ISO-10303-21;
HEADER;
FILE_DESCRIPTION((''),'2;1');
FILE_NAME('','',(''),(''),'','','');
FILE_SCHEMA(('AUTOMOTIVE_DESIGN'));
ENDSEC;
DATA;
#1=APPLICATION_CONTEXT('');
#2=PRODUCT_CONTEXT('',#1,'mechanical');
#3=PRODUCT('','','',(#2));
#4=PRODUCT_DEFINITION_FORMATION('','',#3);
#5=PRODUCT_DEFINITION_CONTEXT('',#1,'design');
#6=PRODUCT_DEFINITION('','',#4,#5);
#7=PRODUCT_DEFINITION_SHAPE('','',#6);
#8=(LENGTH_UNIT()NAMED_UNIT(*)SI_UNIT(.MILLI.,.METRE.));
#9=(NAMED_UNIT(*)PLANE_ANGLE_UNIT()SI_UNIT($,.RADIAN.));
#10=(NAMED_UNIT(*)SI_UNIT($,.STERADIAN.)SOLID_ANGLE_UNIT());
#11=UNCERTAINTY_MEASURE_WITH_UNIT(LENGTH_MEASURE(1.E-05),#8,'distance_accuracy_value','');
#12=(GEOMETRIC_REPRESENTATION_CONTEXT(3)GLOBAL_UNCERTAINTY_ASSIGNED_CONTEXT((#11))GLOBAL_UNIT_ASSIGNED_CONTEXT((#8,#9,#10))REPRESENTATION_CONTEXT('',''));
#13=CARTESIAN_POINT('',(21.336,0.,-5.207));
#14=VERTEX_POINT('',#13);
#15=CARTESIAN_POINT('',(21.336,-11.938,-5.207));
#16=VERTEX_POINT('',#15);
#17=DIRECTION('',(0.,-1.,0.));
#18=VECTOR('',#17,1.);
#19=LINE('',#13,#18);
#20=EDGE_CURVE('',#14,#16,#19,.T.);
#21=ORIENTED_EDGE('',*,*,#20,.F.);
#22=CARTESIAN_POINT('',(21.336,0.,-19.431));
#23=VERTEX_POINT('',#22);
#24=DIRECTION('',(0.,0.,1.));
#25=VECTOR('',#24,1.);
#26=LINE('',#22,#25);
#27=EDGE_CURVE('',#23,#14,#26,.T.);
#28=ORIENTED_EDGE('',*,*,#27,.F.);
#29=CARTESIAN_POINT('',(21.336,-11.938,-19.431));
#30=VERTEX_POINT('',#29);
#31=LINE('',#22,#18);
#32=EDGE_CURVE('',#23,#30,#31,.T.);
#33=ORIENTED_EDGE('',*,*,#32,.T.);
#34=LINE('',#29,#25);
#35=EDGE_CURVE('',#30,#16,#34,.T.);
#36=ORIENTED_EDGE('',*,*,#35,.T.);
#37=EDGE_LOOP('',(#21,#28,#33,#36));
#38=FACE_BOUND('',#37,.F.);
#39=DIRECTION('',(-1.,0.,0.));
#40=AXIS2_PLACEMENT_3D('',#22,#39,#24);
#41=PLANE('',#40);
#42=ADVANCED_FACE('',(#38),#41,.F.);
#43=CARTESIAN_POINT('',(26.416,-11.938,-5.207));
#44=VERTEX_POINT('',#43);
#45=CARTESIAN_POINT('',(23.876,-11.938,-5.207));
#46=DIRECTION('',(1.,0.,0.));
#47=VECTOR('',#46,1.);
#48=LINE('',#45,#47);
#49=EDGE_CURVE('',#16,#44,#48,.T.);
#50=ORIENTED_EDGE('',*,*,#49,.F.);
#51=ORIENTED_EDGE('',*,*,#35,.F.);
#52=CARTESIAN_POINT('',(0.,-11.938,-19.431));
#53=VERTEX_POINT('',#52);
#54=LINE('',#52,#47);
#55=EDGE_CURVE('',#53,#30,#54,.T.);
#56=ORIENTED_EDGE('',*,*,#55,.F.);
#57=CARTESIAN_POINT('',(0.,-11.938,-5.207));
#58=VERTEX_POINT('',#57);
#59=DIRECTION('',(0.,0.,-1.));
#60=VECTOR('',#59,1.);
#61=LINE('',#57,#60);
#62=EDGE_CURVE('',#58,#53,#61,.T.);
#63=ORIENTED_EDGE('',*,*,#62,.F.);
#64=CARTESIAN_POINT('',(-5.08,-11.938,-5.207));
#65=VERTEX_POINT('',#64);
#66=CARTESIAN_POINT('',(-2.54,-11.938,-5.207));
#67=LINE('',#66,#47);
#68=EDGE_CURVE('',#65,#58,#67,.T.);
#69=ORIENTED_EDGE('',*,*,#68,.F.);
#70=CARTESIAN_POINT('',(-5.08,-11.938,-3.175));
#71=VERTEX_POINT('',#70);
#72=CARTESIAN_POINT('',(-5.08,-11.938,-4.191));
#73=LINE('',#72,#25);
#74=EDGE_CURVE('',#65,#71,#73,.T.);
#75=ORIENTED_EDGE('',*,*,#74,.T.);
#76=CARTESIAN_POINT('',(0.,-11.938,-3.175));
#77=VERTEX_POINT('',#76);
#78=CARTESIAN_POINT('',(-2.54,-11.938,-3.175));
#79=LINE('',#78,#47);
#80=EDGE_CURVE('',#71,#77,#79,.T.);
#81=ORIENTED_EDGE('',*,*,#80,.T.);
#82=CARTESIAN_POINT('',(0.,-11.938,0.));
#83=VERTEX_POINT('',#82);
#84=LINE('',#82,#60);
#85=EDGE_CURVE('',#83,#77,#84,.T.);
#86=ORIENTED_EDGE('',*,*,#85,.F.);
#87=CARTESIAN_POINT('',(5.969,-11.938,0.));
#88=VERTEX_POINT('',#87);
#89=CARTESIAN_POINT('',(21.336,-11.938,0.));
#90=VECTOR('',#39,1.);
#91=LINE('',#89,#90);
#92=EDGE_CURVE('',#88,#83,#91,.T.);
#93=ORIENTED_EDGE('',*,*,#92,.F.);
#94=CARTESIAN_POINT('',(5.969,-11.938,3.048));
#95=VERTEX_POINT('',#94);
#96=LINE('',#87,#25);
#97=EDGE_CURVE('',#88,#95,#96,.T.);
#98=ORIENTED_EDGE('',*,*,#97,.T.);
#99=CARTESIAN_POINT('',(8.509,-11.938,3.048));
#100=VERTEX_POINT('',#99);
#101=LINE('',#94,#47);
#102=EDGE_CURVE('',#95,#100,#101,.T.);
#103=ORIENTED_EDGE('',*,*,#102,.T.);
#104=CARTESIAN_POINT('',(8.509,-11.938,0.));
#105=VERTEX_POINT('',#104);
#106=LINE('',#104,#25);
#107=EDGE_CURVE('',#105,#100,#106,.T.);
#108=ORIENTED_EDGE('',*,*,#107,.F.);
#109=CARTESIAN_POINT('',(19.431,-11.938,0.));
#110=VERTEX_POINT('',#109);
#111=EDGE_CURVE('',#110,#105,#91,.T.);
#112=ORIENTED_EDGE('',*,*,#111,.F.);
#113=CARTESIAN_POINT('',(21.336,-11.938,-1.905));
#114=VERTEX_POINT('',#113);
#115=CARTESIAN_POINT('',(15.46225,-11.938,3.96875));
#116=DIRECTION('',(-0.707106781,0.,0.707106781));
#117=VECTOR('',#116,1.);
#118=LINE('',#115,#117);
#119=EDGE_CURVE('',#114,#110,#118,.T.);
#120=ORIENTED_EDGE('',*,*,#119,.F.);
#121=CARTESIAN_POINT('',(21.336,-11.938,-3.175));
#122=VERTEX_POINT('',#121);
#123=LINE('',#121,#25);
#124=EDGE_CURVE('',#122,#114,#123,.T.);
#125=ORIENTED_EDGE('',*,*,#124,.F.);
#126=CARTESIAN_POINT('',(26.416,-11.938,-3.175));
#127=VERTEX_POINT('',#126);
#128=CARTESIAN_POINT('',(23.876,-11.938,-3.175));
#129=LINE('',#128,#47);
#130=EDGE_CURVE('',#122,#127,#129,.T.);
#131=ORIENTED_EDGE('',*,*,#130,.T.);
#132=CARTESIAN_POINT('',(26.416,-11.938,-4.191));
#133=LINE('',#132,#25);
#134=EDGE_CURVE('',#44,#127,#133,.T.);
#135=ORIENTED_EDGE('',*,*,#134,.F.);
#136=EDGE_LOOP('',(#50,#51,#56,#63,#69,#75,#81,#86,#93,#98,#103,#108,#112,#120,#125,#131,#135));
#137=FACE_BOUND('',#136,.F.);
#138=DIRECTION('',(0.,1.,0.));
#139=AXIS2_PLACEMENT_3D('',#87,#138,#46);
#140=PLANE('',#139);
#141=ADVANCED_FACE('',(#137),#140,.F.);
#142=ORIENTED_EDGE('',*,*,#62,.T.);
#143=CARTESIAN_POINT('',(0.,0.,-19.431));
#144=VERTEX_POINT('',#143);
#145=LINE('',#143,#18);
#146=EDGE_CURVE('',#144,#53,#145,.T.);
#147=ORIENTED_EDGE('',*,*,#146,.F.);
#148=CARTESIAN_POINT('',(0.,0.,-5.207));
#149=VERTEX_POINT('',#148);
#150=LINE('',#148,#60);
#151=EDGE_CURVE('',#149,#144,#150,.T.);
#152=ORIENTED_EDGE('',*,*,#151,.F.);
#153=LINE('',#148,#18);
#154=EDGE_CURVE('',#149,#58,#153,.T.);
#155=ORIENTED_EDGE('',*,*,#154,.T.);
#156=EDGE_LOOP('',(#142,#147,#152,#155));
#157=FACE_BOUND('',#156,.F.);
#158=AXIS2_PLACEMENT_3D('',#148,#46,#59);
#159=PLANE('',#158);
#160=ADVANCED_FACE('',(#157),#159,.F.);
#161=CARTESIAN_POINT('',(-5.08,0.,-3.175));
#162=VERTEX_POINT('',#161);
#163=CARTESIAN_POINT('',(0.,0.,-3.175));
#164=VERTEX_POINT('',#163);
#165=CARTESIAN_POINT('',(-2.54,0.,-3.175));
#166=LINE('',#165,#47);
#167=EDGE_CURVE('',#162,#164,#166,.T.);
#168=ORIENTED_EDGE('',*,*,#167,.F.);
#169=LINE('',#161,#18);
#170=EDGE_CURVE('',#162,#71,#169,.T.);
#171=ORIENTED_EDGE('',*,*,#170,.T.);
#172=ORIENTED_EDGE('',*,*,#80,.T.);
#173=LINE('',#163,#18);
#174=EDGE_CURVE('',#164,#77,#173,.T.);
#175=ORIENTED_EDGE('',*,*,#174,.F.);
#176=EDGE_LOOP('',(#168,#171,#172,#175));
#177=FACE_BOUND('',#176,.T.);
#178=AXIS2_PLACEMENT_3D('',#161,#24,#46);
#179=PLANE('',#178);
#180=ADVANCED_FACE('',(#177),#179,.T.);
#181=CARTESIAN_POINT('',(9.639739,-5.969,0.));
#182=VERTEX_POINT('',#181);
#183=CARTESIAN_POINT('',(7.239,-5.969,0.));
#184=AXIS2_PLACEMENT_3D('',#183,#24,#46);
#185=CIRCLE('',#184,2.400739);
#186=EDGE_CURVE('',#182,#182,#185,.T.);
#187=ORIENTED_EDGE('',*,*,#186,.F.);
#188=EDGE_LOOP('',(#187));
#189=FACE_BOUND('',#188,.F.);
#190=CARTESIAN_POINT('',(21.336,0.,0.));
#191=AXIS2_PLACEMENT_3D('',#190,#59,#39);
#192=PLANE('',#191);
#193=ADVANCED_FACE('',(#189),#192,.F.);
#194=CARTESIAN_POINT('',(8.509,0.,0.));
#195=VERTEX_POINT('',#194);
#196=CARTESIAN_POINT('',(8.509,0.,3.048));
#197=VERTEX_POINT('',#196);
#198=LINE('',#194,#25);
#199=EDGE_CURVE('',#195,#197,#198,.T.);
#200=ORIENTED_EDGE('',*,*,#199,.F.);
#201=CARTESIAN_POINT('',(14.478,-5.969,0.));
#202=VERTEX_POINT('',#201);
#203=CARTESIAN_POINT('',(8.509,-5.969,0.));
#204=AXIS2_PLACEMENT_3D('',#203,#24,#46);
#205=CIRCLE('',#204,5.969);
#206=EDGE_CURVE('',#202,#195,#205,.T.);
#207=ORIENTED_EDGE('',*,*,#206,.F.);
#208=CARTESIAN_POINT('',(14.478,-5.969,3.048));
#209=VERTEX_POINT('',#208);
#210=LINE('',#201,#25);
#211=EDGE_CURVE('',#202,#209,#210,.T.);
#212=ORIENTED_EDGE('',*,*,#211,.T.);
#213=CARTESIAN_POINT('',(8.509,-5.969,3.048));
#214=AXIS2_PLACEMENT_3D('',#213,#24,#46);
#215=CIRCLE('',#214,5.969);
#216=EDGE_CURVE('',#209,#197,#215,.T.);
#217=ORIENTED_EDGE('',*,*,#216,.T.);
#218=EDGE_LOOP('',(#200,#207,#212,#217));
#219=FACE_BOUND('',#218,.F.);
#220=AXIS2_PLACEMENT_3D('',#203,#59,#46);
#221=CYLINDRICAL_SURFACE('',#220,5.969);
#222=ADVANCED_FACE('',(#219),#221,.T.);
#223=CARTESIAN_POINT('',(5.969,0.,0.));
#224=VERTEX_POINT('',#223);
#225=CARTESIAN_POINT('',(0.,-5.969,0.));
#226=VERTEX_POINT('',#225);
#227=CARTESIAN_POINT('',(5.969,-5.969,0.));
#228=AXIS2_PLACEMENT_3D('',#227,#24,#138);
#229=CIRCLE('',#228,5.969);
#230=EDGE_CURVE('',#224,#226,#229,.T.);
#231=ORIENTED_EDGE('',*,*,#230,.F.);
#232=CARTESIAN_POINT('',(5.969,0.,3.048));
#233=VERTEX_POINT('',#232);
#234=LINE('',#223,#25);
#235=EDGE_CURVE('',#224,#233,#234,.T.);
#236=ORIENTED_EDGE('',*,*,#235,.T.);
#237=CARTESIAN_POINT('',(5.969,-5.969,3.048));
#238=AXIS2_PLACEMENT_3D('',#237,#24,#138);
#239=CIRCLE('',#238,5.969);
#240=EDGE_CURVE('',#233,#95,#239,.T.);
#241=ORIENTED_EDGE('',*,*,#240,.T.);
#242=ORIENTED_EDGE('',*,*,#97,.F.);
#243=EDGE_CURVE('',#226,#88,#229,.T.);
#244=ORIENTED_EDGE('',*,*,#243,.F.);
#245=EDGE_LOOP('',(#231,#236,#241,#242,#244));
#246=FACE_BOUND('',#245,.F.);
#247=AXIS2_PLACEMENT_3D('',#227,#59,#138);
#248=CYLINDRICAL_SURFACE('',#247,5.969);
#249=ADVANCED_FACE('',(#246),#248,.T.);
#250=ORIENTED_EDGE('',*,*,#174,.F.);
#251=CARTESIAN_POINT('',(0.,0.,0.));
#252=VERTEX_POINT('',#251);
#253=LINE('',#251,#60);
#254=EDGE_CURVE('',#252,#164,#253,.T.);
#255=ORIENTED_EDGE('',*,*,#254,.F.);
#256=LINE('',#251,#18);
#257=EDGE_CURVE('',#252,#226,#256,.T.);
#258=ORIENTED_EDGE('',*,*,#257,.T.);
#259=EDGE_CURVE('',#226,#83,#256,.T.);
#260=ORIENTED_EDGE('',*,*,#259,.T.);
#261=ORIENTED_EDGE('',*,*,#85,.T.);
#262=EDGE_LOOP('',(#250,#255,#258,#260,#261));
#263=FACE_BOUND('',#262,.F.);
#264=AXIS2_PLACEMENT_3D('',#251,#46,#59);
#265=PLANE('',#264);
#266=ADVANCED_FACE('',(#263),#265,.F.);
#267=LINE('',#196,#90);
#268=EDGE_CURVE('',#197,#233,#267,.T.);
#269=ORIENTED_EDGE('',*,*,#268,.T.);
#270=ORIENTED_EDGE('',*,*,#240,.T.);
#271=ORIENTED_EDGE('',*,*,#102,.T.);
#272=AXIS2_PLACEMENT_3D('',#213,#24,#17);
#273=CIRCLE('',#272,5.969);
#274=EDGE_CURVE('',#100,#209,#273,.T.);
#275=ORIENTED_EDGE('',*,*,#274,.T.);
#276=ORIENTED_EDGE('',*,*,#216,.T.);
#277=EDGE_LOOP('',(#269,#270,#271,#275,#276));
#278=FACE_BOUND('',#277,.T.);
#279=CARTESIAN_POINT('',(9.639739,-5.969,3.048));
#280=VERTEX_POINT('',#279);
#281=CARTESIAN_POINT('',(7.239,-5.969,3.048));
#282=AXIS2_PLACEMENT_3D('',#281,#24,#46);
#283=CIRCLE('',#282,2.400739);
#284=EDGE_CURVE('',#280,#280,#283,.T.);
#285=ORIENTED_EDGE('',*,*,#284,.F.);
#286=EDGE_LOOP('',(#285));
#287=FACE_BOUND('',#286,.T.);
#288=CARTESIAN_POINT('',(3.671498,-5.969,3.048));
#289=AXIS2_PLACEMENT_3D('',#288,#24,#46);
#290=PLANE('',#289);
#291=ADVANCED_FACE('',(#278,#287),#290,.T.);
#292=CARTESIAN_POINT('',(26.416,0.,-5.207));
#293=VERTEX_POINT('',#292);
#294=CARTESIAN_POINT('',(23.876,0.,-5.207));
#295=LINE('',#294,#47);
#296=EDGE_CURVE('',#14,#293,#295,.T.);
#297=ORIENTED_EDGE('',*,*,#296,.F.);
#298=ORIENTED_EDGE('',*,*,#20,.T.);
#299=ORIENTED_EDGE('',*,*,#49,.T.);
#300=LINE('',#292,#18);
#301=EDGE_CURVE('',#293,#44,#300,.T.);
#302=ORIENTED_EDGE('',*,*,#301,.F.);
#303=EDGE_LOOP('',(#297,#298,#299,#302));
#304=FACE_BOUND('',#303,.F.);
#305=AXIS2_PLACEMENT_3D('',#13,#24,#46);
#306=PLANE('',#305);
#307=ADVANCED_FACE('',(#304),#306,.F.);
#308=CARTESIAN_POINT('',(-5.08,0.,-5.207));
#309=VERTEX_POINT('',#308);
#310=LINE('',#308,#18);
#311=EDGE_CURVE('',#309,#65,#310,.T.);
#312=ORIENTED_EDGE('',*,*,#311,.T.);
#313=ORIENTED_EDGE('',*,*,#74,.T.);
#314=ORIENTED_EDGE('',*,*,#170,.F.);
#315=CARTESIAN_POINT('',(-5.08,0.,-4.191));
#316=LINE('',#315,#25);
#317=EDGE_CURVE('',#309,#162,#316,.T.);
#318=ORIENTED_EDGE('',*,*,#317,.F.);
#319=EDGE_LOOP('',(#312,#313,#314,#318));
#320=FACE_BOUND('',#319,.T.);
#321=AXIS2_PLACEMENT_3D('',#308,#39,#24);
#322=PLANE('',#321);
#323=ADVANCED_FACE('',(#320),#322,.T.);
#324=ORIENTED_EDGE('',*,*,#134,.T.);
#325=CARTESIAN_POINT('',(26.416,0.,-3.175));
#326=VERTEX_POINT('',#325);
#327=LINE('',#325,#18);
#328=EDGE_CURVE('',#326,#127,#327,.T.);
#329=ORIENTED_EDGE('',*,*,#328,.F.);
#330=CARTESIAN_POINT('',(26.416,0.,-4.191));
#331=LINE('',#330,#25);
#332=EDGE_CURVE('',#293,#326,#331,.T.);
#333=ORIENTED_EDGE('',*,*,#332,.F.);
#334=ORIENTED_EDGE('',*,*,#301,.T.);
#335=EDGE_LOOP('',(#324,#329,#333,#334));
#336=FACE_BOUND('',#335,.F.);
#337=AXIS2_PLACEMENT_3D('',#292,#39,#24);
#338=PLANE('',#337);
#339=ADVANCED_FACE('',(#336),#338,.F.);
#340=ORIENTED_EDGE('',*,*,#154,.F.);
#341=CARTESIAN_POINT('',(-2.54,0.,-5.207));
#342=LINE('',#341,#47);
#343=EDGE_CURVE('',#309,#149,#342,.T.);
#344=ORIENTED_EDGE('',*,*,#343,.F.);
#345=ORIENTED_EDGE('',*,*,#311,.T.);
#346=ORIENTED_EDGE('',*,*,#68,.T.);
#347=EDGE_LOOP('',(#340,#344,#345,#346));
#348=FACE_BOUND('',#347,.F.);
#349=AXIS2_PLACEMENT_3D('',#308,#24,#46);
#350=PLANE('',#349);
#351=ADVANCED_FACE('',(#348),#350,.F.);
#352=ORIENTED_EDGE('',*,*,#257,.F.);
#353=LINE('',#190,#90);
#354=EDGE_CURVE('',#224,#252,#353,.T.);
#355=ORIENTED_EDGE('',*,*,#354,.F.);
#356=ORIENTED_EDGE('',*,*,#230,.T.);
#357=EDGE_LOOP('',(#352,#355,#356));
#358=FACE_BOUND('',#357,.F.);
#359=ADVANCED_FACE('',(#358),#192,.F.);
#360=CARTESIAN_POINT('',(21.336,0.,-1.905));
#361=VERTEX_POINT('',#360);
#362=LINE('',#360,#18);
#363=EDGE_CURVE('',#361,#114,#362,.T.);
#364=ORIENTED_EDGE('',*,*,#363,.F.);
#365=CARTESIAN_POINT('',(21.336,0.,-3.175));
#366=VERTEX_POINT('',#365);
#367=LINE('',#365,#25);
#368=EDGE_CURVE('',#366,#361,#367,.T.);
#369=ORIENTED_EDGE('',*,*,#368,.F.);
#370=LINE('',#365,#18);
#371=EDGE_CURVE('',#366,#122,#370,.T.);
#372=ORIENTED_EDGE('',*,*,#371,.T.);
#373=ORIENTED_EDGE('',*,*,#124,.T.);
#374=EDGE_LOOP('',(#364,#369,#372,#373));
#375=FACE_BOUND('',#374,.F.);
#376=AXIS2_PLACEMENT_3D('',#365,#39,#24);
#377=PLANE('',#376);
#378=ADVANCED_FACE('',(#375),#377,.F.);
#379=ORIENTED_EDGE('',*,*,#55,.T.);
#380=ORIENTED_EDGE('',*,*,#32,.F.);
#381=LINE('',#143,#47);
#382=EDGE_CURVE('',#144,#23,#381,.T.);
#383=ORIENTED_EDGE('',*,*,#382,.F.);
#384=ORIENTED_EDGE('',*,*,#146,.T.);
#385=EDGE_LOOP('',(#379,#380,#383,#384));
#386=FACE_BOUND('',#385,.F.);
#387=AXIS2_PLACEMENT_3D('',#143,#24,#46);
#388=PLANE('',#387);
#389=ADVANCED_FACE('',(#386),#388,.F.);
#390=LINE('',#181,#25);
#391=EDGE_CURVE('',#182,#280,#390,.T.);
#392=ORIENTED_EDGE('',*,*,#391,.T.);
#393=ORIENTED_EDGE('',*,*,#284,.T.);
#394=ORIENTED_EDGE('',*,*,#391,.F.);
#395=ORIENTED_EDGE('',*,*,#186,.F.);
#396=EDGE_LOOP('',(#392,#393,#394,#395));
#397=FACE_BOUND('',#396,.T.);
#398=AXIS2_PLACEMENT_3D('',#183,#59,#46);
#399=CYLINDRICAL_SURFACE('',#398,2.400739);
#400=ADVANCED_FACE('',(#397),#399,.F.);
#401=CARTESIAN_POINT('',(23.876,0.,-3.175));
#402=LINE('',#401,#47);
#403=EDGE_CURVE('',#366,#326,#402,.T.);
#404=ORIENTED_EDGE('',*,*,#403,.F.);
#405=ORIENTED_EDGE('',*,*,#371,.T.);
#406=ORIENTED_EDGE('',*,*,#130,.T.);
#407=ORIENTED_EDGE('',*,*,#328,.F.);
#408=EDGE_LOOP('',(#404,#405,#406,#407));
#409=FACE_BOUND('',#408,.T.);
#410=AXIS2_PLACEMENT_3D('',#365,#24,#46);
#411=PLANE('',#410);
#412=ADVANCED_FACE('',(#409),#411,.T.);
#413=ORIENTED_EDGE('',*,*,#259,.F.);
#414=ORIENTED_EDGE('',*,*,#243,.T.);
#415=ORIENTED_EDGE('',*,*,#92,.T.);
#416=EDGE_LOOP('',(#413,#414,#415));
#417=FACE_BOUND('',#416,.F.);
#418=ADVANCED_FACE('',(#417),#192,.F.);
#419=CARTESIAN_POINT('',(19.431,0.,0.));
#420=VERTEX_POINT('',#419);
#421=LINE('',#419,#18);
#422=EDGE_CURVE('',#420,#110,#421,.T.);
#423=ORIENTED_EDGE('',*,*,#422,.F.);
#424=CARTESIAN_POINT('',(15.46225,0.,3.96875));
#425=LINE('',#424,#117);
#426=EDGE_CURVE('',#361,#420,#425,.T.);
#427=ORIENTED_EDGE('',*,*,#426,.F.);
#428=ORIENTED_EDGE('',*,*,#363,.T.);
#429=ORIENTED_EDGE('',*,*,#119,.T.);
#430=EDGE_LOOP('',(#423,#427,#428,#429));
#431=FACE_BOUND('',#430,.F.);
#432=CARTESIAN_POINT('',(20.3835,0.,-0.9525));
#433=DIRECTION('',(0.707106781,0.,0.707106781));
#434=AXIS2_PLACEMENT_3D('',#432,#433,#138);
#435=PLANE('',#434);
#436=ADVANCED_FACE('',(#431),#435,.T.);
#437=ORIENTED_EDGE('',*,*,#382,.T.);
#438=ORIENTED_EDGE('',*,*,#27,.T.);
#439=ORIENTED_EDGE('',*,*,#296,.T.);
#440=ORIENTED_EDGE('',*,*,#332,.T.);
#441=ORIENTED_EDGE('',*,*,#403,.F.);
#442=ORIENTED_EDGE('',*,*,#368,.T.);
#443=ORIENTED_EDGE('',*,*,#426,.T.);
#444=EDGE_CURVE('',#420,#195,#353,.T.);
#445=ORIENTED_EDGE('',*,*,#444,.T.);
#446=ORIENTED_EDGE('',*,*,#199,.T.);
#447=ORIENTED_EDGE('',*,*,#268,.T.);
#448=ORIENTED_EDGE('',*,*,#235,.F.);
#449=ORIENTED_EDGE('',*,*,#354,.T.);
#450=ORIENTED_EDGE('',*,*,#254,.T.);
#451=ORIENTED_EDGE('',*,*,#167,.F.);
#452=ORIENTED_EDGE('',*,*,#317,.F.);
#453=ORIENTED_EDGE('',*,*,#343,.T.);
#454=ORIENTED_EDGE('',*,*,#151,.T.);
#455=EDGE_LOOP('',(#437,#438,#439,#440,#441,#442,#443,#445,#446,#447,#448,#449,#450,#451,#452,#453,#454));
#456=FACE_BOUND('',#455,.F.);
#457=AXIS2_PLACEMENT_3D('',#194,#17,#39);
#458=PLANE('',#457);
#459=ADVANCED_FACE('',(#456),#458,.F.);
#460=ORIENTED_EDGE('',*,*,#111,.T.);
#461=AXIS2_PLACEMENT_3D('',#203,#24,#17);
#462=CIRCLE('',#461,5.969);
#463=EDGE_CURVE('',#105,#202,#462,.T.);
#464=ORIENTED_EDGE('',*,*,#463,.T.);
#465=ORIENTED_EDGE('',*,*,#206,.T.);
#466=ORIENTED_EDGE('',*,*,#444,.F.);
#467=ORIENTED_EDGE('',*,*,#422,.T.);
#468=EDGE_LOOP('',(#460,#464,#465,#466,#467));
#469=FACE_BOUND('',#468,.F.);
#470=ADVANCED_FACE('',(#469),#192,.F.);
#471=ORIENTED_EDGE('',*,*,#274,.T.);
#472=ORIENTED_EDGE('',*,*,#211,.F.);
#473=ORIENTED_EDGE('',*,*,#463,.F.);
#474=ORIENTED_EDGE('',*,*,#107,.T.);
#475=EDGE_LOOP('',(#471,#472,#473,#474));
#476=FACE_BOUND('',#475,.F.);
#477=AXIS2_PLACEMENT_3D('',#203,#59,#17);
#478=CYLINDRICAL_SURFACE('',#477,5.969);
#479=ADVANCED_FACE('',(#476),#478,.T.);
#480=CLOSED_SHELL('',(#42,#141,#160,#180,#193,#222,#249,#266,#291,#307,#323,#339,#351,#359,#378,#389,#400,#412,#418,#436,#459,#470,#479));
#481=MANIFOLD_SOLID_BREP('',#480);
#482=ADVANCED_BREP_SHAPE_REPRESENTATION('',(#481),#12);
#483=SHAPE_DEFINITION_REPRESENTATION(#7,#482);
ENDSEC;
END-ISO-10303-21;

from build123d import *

# Parameters (mm, degrees)
F0_W     = 5.08
F0_H     = 2.032
F1_DEPTH = 11.938
F2_SIZE  = 1.905
F3_R     = 2.4007388602
F4_DEPTH = 3.048


with BuildPart() as f1:
    # F0 (on Front) → F1 (new body)
    with BuildSketch(Plane.XZ):
        with Locations((-2.54, -4.191)):
            Rectangle(F0_W, F0_H)
        with Locations((23.876, -4.191)):
            Rectangle(F0_W, F0_H)
        Polygon((14.478, 0), (0, 0), (0, -3.175), (0, -5.207), (0, -19.431), (21.336, -19.431), (21.336, -5.207), (21.336, -3.175), (21.336, 0), align=None)
    extrude(amount=F1_DEPTH)

    # F2
    f2_edges = [f1.edges().sort_by_distance(p)[0] for p in [
        (21.336, -5.969, 0),
    ]]
    chamfer(f2_edges, length=F2_SIZE)

    # F3 (on face) → F4 (join)
    with BuildSketch(Plane.XY):
        with BuildLine():
            ThreePointArc((7.239, -0.1366710484), (6.6076663792, -0.0342661175), (5.969, 0))
            ThreePointArc((5.969, 0), (0, -5.969), (5.969, -11.938))
            ThreePointArc((5.969, -11.938), (6.6076663792, -11.9037338825), (7.239, -11.8013289516))
            ThreePointArc((7.239, -11.8013289516), (2.54, -5.969), (7.239, -0.1366710484))
        make_face()
        with BuildLine():
            Line((8.509, 0), (5.969, 0))
            ThreePointArc((5.969, 0), (6.6076663792, -0.0342661175), (7.239, -0.1366710484))
            ThreePointArc((7.239, -0.1366710484), (7.8703336208, -0.0342661175), (8.509, 0))
        make_face()
        with BuildLine():
            ThreePointArc((7.239, -11.8013289516), (6.6076663792, -11.9037338825), (5.969, -11.938))
            Line((5.969, -11.938), (8.509, -11.938))
            ThreePointArc((8.509, -11.938), (7.8703336208, -11.9037338825), (7.239, -11.8013289516))
        make_face()
        with BuildLine():
            ThreePointArc((8.509, 0), (7.8703336208, -0.0342661175), (7.239, -0.1366710484))
            ThreePointArc((7.239, -0.1366710484), (10.6170959005, -2.2241147548), (11.938, -5.969))
            ThreePointArc((11.938, -5.969), (10.6170959005, -9.7138852452), (7.239, -11.8013289516))
            ThreePointArc((7.239, -11.8013289516), (7.8703336208, -11.9037338825), (8.509, -11.938))
            ThreePointArc((8.509, -11.938), (12.7297203769, -10.1897203769), (14.478, -5.969))
            ThreePointArc((14.478, -5.969), (12.7297203769, -1.7482796231), (8.509, 0))
        make_face()
        with BuildLine():
            ThreePointArc((7.239, -11.8013289516), (10.6170959005, -9.7138852452), (11.938, -5.969))
            ThreePointArc((11.938, -5.969), (10.6170959005, -2.2241147548), (7.239, -0.1366710484))
            ThreePointArc((7.239, -0.1366710484), (2.54, -5.969), (7.239, -11.8013289516))
        make_face()
        with Locations((7.239, -5.969)):
            Circle(F3_R, mode=Mode.SUBTRACT)
    extrude(amount=F4_DEPTH)


solid = f1.part
